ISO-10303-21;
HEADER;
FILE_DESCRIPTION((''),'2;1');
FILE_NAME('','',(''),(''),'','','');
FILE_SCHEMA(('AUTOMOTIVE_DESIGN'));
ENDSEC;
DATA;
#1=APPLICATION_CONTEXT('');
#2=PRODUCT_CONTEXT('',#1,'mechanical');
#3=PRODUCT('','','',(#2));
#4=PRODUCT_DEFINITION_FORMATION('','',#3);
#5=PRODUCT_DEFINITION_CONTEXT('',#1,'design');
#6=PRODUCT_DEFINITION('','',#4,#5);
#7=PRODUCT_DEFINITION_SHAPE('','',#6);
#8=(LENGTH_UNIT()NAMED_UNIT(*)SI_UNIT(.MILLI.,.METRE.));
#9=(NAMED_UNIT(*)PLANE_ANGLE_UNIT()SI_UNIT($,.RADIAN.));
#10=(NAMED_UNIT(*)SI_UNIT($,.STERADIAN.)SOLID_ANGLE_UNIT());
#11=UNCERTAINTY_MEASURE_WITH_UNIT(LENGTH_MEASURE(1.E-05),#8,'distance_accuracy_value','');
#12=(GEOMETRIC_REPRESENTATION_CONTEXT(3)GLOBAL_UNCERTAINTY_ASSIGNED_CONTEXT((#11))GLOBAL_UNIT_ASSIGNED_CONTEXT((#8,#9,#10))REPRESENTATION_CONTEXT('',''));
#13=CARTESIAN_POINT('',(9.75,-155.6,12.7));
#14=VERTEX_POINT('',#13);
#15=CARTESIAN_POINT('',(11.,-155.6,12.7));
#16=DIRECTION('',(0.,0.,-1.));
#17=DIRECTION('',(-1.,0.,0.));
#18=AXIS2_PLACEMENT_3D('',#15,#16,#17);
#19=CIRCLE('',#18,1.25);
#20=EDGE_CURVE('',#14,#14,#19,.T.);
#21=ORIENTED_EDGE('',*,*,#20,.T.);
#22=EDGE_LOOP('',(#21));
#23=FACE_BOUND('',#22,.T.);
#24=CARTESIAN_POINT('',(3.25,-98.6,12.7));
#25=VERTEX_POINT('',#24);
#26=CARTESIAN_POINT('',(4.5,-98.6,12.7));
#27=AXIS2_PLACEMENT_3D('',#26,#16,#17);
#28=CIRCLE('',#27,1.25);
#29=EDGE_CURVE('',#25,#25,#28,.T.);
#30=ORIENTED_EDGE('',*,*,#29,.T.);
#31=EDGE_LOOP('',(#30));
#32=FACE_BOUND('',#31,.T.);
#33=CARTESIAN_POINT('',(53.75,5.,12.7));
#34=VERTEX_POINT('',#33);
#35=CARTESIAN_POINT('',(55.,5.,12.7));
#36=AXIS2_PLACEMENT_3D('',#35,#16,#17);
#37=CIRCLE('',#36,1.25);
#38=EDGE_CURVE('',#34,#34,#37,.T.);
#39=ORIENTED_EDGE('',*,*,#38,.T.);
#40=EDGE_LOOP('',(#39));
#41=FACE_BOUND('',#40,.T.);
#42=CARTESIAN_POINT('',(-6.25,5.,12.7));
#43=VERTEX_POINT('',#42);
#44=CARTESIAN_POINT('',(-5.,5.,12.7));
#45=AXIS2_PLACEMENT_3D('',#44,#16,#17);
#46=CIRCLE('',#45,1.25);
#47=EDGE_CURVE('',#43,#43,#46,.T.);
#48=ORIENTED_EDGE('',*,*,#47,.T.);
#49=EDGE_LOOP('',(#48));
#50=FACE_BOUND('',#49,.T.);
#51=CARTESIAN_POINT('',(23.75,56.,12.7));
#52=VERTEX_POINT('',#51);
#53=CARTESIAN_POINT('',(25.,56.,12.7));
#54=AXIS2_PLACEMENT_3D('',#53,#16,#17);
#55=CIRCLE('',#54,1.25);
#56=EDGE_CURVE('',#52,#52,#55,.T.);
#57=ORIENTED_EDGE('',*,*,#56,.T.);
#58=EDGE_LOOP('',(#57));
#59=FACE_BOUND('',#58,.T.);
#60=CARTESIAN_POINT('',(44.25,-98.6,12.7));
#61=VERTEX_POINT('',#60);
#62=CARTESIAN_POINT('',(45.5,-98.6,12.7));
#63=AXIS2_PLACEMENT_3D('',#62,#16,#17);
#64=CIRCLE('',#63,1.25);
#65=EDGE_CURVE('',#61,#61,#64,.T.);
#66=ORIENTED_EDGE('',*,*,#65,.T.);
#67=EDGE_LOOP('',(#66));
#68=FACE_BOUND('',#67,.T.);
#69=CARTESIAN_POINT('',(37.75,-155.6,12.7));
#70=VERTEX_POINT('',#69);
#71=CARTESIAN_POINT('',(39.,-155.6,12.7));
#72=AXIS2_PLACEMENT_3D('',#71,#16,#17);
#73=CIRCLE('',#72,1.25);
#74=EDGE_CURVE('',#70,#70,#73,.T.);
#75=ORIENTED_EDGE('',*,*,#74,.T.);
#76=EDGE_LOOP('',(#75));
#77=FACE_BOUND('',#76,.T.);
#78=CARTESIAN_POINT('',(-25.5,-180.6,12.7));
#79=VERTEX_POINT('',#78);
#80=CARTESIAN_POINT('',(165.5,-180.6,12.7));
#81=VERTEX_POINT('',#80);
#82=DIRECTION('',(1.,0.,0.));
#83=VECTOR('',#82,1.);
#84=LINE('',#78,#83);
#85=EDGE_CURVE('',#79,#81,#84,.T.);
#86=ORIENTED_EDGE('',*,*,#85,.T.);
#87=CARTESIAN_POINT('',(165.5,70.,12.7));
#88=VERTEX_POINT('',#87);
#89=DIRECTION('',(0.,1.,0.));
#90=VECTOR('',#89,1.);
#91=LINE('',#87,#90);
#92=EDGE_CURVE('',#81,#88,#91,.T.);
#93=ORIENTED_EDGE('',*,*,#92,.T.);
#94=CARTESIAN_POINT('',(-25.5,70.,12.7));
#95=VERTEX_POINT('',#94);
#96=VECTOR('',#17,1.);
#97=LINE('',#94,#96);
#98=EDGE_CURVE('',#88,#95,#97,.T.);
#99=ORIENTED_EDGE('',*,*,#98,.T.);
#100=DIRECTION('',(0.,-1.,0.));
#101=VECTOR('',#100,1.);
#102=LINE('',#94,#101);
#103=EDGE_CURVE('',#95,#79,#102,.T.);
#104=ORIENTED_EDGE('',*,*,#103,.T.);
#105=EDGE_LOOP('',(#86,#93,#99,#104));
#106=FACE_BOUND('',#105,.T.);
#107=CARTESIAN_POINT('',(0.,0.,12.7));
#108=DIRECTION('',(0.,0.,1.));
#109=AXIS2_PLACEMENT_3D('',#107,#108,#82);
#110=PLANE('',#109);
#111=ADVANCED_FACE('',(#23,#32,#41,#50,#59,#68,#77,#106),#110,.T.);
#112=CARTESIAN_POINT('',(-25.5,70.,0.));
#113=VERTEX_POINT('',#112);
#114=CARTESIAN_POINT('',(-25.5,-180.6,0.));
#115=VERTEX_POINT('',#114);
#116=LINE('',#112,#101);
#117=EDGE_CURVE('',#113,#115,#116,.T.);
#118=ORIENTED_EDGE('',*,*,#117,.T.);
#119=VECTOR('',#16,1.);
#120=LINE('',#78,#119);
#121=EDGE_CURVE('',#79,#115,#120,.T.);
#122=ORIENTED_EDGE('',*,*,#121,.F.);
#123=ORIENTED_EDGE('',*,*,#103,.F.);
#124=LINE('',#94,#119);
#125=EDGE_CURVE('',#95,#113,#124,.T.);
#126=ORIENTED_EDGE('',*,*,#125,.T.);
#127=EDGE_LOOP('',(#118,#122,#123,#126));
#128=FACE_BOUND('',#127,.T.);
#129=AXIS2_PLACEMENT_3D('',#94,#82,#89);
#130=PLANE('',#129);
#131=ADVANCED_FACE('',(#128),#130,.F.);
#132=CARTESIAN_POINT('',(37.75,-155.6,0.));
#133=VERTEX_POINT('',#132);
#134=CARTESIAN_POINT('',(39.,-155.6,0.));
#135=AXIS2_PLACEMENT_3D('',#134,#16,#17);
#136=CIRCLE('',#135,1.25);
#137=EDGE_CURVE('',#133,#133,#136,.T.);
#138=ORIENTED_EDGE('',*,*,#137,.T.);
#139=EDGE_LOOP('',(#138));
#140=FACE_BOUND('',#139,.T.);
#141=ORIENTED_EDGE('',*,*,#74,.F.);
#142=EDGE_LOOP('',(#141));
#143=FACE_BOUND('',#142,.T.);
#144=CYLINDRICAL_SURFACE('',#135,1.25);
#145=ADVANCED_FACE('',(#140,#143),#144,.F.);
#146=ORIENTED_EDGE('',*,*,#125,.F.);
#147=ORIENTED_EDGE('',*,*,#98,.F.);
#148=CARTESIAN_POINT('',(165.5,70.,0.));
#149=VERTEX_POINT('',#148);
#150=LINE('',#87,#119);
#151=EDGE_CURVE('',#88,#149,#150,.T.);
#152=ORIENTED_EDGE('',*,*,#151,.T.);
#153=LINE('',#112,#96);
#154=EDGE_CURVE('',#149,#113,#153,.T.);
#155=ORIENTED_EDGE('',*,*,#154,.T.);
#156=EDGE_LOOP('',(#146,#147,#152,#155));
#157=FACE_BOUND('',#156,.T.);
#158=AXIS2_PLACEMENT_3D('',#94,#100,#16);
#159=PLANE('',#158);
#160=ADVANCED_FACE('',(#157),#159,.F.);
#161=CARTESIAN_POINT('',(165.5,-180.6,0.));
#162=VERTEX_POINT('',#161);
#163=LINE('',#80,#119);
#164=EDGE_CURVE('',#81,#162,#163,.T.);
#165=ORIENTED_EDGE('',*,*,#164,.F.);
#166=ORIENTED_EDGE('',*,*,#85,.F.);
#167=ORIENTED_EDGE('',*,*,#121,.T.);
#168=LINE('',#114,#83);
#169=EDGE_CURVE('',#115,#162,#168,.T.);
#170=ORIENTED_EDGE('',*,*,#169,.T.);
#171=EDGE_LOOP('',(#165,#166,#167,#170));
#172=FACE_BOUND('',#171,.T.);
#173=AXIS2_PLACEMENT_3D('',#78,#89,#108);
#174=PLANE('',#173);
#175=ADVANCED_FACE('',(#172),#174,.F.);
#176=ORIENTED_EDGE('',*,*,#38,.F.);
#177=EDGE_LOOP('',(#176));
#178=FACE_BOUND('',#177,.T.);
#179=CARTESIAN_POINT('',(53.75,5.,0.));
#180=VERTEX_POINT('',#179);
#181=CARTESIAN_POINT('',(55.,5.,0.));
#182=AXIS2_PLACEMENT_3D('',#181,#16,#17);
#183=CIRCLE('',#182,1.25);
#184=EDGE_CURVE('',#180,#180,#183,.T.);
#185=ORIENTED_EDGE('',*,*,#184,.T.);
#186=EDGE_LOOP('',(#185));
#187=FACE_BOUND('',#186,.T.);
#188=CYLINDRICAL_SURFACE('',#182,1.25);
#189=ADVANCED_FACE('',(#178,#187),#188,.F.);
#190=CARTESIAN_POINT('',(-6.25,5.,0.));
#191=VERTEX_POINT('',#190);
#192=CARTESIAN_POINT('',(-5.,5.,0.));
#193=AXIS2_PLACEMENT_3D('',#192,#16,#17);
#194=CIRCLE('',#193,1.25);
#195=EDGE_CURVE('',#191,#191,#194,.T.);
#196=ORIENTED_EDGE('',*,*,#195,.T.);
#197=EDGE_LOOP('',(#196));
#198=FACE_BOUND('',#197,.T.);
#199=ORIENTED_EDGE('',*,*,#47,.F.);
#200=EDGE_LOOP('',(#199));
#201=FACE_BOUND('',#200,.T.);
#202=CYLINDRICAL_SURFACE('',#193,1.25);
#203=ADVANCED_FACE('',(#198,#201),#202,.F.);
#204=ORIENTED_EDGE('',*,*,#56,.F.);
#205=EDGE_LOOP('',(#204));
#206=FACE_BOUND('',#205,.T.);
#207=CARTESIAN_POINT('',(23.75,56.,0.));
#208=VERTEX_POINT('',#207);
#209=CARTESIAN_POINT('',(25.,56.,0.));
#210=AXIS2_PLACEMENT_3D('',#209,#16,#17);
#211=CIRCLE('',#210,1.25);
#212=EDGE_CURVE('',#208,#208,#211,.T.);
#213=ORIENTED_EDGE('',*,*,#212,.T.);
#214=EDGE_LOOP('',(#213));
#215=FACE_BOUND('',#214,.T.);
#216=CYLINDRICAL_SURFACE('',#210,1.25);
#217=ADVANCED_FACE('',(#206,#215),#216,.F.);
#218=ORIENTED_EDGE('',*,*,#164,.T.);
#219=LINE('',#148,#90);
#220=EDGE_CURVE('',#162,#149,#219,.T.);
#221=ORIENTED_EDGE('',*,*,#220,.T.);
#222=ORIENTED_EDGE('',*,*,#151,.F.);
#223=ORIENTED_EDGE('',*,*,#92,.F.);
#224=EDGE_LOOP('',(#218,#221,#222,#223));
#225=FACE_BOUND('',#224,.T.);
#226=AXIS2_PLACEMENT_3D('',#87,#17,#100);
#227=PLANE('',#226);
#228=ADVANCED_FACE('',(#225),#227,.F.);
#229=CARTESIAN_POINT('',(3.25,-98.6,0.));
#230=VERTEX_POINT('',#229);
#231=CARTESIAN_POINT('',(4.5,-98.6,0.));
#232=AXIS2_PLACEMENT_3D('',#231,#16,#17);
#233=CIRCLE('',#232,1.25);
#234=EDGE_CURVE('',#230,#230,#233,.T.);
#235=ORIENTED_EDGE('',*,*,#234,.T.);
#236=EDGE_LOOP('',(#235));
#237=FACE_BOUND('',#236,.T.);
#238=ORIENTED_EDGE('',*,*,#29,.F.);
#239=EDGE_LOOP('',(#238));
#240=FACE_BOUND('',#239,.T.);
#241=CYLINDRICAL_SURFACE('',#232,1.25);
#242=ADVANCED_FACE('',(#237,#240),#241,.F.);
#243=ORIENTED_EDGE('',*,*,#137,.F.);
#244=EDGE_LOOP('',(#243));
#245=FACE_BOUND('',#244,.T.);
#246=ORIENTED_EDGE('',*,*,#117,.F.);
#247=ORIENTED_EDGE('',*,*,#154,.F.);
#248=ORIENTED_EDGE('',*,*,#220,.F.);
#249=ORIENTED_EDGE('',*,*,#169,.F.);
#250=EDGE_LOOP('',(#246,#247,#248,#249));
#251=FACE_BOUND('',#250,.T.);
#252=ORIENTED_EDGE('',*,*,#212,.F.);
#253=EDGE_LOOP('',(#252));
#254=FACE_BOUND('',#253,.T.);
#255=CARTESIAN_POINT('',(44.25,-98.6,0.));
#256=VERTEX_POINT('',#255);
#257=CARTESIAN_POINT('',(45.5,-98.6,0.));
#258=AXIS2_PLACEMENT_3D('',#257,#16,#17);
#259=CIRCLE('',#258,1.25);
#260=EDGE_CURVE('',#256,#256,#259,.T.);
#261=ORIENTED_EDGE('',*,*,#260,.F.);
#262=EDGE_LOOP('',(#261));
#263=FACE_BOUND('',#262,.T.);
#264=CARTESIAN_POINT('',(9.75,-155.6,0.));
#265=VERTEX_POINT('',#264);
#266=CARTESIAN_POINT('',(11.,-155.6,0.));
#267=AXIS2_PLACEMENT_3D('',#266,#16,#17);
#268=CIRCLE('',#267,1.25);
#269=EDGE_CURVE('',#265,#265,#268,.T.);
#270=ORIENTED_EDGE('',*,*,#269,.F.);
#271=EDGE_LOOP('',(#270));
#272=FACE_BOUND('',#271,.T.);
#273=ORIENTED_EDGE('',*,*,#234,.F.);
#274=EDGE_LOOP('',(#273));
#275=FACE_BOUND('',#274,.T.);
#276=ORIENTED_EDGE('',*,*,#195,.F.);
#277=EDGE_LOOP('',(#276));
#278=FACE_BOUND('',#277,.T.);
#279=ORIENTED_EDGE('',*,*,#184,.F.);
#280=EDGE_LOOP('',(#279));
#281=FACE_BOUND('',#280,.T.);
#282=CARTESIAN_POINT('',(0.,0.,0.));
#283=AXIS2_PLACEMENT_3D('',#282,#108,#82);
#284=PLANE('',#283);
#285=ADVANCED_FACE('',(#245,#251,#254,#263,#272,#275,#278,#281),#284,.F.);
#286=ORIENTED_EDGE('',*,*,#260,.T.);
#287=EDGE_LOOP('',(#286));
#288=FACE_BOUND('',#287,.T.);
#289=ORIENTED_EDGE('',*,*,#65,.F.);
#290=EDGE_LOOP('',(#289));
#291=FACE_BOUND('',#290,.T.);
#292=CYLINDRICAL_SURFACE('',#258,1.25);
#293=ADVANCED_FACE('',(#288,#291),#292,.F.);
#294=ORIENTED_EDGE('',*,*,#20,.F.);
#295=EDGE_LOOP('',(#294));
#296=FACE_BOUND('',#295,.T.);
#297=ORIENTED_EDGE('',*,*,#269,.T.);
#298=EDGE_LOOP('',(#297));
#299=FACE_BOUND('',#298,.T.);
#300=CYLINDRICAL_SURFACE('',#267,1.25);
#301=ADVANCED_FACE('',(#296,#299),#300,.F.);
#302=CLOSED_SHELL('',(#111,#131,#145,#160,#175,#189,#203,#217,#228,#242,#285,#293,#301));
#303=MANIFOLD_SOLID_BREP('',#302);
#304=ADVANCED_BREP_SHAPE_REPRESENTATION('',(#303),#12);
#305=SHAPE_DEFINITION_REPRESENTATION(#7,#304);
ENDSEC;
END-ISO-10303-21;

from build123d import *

# Parameters (mm, degrees)
SKETCH1_W             = 191
SKETCH1_H             = 250.6
BOSS_EXTRUDE1_DEPTH   = 12.7
M3X0_5_TAPPED_HOLE1_D = 2.5


with BuildPart() as part:
    # Sketch1 → Boss-Extrude1 (new body)
    with BuildSketch(Plane.XY):
        with Locations((70, -55.3)):
            Rectangle(SKETCH1_W, SKETCH1_H)
    extrude(amount=BOSS_EXTRUDE1_DEPTH)

    # M3x0.5 Tapped Hole1 (through all)
    with Locations(Plane(origin=(0, 0, 0), x_dir=(-1, 0, 0), z_dir=(0, 0, -1))):
        with Locations((-25, 56), (-55, 5), (5, 5), (-45.5, -98.6), (-4.5, -98.6), (-11, -155.6), (-39, -155.6)):
            Hole(M3X0_5_TAPPED_HOLE1_D / 2)


solid = part.part
